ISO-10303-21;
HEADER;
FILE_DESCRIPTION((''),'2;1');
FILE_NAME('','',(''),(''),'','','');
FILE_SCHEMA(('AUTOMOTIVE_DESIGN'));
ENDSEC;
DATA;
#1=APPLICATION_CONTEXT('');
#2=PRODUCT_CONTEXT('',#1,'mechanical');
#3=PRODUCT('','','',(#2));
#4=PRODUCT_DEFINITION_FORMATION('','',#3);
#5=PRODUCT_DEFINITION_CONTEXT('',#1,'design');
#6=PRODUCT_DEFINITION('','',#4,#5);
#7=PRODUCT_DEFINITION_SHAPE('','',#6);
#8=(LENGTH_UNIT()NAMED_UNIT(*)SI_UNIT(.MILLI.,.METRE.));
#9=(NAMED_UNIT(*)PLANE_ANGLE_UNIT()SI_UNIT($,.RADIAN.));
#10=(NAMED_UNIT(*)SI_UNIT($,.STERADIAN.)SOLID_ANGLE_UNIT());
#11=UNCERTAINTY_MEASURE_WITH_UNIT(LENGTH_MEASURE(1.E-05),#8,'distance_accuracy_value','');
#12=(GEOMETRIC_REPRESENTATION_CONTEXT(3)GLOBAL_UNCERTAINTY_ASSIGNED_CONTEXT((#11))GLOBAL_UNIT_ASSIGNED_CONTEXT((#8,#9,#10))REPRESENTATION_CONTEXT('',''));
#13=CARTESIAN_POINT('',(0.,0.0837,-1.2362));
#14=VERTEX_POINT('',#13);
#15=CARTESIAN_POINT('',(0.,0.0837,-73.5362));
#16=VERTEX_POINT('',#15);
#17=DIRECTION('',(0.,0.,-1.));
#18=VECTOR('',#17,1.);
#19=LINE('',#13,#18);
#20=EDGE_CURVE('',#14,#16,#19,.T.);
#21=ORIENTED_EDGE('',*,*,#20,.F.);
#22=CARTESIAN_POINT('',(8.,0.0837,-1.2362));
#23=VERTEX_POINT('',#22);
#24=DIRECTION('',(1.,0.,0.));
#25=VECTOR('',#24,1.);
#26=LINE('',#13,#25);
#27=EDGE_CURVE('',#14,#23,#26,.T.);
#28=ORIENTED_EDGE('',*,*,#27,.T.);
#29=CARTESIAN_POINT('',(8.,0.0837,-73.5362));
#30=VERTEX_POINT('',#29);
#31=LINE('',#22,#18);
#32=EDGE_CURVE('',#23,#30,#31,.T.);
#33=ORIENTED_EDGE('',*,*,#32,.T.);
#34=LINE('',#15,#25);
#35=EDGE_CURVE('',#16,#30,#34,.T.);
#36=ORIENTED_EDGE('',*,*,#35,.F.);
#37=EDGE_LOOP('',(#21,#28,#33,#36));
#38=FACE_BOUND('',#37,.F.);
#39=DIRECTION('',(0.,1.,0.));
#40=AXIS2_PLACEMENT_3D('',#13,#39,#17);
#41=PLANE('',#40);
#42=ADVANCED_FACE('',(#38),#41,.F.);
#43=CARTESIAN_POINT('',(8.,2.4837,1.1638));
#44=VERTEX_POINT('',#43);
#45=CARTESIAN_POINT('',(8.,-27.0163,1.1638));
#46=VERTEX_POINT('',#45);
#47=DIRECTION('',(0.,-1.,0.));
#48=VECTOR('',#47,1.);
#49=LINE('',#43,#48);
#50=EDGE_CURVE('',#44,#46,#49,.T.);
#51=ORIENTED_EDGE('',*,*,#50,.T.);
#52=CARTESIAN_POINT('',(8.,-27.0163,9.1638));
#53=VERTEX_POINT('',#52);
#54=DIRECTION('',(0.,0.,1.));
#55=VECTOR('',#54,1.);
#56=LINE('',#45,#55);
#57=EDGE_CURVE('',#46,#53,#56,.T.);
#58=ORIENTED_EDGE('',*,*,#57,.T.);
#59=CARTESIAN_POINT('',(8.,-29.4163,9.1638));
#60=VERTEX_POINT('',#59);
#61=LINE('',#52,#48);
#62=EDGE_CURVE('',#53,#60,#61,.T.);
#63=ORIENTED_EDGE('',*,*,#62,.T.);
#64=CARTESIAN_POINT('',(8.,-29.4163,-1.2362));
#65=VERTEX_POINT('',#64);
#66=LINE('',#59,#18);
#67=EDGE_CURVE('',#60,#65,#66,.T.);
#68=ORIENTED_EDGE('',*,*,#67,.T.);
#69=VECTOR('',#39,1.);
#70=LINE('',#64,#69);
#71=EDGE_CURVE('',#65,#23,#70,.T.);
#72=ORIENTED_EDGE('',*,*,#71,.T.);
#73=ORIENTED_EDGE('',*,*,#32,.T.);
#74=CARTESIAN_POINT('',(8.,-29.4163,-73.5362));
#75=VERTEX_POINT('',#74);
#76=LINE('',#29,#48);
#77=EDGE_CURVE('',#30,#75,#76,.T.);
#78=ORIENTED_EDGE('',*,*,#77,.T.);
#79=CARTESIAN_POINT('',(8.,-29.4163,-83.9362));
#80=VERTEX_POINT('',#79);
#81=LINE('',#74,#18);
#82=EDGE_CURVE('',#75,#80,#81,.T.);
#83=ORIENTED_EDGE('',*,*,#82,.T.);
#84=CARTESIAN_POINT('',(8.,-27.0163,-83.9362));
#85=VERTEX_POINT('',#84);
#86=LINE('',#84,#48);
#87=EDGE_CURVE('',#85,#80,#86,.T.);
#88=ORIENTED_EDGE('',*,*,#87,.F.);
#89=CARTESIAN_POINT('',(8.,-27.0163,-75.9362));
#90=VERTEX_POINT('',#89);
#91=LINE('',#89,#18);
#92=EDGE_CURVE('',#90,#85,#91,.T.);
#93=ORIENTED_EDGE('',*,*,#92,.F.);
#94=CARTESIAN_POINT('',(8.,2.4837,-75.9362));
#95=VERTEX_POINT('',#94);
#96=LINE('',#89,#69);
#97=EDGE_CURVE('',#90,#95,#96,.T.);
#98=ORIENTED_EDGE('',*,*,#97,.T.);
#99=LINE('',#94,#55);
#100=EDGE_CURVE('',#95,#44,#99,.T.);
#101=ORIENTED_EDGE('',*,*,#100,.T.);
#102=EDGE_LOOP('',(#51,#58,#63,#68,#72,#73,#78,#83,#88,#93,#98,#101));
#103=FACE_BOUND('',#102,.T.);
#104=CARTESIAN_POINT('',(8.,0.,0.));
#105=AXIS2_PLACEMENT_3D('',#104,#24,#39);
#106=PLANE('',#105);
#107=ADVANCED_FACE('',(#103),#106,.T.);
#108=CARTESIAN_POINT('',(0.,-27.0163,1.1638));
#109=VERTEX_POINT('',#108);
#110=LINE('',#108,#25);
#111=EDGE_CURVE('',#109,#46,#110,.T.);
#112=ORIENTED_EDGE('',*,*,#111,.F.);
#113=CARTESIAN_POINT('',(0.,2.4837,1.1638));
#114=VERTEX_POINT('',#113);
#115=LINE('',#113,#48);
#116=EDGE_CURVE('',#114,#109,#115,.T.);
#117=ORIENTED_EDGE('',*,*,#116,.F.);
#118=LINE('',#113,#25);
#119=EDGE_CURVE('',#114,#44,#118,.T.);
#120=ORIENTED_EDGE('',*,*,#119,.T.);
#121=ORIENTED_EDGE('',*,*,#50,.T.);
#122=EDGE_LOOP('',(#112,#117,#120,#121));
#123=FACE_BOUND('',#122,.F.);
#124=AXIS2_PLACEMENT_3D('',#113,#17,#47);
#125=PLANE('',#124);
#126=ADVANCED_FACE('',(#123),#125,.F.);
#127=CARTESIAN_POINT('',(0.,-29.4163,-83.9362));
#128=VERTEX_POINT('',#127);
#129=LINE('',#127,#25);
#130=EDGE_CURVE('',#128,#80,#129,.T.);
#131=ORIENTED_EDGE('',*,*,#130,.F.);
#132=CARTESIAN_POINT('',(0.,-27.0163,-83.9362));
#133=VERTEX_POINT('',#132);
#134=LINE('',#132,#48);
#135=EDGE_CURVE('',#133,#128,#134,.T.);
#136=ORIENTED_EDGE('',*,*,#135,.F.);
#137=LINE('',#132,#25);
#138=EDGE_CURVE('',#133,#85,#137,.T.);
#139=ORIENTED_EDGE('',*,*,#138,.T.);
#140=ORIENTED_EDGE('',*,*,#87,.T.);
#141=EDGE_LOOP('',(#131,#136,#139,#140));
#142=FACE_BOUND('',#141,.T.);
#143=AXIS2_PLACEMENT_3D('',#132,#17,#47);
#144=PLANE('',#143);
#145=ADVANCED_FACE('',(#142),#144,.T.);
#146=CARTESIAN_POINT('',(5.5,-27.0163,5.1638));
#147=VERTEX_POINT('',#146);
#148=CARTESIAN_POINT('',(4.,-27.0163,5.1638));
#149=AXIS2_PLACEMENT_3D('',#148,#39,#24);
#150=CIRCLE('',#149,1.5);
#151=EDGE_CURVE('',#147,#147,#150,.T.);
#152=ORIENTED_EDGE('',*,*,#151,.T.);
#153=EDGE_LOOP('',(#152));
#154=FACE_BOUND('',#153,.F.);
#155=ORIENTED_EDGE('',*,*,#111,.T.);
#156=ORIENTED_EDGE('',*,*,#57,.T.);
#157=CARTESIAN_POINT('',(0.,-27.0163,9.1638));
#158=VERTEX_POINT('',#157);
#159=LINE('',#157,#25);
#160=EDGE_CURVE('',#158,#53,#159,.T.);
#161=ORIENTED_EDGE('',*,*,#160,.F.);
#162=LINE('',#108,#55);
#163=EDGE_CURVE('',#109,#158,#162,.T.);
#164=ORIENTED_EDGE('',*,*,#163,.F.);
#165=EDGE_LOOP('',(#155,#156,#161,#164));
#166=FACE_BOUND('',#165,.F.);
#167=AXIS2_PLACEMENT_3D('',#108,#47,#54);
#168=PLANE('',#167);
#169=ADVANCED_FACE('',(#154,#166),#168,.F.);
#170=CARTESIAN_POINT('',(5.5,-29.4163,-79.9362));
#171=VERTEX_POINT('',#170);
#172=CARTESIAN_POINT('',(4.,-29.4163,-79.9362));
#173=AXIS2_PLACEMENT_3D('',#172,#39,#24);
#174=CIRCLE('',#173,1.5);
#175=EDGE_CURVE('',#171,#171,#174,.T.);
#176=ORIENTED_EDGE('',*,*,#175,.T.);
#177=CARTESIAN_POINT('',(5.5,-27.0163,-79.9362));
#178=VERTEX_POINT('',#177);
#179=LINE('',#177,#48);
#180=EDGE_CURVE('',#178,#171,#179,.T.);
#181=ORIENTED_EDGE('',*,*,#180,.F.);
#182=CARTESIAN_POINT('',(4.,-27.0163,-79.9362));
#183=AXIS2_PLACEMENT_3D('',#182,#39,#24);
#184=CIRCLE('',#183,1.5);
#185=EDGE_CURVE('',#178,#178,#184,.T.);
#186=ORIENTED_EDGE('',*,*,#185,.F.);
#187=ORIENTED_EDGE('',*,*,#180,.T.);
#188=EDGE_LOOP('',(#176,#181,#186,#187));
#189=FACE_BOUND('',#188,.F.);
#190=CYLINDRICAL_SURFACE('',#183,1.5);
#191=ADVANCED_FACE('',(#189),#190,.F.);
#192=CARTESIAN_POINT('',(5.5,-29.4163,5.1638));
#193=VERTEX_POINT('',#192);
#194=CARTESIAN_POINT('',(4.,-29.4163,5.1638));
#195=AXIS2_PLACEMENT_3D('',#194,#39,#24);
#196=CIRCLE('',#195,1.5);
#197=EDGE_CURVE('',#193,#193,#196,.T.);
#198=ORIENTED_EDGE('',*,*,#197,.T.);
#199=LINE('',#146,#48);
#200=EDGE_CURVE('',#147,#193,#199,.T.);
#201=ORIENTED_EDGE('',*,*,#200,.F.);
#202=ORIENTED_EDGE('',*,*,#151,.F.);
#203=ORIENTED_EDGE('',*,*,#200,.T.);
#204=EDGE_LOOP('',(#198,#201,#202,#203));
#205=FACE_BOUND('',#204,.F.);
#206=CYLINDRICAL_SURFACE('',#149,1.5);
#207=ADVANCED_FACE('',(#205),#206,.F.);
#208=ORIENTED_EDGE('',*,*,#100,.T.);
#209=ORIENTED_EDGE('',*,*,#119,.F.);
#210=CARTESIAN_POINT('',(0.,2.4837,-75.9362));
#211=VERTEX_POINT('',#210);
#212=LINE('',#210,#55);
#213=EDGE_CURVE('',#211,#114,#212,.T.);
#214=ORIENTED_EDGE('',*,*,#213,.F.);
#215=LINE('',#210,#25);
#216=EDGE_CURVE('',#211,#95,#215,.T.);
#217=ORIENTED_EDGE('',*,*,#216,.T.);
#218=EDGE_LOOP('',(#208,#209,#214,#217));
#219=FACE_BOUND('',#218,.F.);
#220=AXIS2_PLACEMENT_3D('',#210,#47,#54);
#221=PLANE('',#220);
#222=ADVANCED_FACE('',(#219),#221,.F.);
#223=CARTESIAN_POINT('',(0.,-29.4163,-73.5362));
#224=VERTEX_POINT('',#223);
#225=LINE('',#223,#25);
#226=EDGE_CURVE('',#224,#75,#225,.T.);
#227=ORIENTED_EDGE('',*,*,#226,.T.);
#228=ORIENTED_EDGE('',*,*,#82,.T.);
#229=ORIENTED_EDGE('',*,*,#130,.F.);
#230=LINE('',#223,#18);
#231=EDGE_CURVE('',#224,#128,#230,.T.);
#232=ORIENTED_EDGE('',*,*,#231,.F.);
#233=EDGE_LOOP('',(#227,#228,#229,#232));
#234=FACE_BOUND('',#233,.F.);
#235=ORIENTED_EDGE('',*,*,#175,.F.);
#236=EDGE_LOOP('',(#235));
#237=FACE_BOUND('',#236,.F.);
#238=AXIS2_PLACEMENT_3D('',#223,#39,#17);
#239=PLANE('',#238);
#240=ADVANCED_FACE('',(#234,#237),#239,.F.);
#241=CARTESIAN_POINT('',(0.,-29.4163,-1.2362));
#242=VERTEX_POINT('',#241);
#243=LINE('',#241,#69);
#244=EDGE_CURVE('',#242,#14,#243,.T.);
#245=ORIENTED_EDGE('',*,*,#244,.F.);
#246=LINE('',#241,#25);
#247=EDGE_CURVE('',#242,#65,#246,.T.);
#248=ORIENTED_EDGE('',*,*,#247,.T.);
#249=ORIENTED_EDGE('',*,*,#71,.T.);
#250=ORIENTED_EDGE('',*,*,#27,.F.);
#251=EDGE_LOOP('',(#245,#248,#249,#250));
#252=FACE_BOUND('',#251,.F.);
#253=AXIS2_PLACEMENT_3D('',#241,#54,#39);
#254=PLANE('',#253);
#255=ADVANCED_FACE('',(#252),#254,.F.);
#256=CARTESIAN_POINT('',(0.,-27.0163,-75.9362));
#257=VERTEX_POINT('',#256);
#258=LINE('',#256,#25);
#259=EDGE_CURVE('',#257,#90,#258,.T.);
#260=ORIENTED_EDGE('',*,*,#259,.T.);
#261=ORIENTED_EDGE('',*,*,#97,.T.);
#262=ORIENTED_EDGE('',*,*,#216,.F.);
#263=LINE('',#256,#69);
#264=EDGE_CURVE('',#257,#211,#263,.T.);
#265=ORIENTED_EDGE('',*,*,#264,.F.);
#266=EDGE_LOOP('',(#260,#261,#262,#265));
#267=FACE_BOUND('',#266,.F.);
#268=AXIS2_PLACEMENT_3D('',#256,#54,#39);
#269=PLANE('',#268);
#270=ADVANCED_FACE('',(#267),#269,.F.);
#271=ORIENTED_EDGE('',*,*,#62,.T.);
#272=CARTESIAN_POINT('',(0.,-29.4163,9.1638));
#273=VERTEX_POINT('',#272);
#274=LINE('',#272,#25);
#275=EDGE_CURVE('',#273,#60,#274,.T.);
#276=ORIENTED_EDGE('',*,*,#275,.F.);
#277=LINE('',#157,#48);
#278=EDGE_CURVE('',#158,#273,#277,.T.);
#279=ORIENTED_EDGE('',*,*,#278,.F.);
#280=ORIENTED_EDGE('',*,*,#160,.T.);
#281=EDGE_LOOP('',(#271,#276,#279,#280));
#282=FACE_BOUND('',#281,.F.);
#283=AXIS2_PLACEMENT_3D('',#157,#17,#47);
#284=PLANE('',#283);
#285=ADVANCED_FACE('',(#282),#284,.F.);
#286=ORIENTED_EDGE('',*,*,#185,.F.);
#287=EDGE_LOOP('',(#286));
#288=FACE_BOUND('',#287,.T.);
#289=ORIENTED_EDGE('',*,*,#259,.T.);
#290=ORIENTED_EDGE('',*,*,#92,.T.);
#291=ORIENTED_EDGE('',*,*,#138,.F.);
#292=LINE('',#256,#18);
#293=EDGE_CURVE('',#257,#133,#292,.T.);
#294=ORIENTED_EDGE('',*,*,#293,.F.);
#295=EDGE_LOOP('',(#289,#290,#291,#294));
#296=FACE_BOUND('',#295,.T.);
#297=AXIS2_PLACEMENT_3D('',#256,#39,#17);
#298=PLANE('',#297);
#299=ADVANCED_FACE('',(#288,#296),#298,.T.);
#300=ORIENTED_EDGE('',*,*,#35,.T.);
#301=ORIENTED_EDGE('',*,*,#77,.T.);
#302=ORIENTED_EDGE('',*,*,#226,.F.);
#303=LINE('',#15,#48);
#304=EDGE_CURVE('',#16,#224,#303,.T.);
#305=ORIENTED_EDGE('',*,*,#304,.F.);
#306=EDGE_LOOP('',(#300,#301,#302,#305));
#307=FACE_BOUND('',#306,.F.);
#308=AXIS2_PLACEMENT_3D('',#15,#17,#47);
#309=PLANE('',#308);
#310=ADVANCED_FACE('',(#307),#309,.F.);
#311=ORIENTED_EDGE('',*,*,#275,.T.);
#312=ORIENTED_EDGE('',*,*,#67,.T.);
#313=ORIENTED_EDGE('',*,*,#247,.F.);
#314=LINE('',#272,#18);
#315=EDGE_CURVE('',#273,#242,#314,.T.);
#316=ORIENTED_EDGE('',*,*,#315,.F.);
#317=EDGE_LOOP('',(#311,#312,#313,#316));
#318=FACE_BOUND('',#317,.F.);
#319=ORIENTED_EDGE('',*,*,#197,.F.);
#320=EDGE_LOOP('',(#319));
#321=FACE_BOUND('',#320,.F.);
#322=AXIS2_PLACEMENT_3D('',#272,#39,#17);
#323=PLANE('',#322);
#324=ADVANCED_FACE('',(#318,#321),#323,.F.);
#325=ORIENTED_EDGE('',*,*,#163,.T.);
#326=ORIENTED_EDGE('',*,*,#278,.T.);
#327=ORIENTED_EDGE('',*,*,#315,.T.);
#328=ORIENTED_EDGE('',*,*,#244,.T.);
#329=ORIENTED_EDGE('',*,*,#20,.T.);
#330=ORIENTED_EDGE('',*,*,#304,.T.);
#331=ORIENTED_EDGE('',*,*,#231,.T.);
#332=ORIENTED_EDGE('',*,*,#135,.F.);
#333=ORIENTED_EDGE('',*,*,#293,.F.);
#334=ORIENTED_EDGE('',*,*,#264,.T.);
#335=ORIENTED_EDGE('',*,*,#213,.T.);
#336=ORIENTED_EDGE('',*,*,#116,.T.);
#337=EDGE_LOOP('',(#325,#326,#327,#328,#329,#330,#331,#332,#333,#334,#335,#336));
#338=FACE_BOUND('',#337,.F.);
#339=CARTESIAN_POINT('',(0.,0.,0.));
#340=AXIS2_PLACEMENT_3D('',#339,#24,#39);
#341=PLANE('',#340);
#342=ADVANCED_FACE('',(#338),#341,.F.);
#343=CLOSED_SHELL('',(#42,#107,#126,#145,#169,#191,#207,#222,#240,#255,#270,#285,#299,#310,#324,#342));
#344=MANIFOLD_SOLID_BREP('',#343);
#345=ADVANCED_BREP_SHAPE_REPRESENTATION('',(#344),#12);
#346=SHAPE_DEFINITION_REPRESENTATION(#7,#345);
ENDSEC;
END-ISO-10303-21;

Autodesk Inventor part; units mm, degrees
ref_plane "YZ Plane" through (0, 0, 0) normal (1, 0, 0) x (0, 1, 0)
ref_plane "XZ Plane" through (0, 0, 0) normal (0, 1, 0) x (-1, 0, 0)
ref_plane "XY Plane" through (0, 0, 0) normal (0, 0, 1) x (1, 0, 0)
sketch "Sketch1" plane through (0, 0, 0) normal (1, 0, 0) x (0, 1, 0)
  line L0 (0.0837, -1.2362) -> (0.0837, -73.5362)
  line L1 (0.0837, -73.5362) -> (-29.4163, -73.5362)
  line L2 (-29.4163, -1.2362) -> (0.0837, -1.2362)
  line L3 (2.4837, -75.9362) -> (2.4837, 1.1638)
  line L4 (2.4837, 1.1638) -> (-27.0163, 1.1638)
  line L5 (-27.0163, -75.9362) -> (2.4837, -75.9362)
  line L6 (-27.0163, 1.1638) -> (-27.0163, 9.1638)
  line L7 (-27.0163, 9.1638) -> (-29.4163, 9.1638)
  line L8 (-27.0163, -75.9362) -> (-27.0163, -83.9362)
  line L9 (-27.0163, -83.9362) -> (-29.4163, -83.9362)
  line L10 (-29.4163, 9.1638) -> (-29.4163, -1.2362)
  line L11 (-29.4163, -73.5362) -> (-29.4163, -83.9362)
  point P0 (0, 0)
  dimension "d10" = 29.5
  dimension "d11" = 72.3
  dimension "d12" = 2.4
  dimension "d13" = 2.4
  dimension "d14" = 2.4
  dimension "d15" = 2.4
  dimension "d16" = 2.4
  dimension "d17" = 8
  dimension "d25" = 8
extrude "Extrusion1" add sketch "Sketch1" along normal blind 8
sketch "Sketch2" plane through (0, -27.0163, 9.1638) normal (0, 1, 0) x (1, 0, 0)
  line L0 (0, 8) -> (8, 8) projected
  line L1 (8, 8) -> (8, 0) projected
  line L2 (0, 8) -> (8, 8) projected
  line L3 (0, 0) -> (8, 0) projected
  circle A0 centre (4, 4) radius 1.5
  line L4 (0, 93.1) -> (0, 85.1) projected
  circle A1 centre (4, 89.1) radius 1.5
  point P0 (0, 9.1638)
  point P1 (8, 93.1)
  point P2 (8, 85.1)
  dimension "d26" = 3
  dimension "d27" = 3
extrude "Extrusion2" cut sketch "Sketch2" against normal blind 10
properties part number "battery_pack_clamp_v2" material "PET Plastic"
